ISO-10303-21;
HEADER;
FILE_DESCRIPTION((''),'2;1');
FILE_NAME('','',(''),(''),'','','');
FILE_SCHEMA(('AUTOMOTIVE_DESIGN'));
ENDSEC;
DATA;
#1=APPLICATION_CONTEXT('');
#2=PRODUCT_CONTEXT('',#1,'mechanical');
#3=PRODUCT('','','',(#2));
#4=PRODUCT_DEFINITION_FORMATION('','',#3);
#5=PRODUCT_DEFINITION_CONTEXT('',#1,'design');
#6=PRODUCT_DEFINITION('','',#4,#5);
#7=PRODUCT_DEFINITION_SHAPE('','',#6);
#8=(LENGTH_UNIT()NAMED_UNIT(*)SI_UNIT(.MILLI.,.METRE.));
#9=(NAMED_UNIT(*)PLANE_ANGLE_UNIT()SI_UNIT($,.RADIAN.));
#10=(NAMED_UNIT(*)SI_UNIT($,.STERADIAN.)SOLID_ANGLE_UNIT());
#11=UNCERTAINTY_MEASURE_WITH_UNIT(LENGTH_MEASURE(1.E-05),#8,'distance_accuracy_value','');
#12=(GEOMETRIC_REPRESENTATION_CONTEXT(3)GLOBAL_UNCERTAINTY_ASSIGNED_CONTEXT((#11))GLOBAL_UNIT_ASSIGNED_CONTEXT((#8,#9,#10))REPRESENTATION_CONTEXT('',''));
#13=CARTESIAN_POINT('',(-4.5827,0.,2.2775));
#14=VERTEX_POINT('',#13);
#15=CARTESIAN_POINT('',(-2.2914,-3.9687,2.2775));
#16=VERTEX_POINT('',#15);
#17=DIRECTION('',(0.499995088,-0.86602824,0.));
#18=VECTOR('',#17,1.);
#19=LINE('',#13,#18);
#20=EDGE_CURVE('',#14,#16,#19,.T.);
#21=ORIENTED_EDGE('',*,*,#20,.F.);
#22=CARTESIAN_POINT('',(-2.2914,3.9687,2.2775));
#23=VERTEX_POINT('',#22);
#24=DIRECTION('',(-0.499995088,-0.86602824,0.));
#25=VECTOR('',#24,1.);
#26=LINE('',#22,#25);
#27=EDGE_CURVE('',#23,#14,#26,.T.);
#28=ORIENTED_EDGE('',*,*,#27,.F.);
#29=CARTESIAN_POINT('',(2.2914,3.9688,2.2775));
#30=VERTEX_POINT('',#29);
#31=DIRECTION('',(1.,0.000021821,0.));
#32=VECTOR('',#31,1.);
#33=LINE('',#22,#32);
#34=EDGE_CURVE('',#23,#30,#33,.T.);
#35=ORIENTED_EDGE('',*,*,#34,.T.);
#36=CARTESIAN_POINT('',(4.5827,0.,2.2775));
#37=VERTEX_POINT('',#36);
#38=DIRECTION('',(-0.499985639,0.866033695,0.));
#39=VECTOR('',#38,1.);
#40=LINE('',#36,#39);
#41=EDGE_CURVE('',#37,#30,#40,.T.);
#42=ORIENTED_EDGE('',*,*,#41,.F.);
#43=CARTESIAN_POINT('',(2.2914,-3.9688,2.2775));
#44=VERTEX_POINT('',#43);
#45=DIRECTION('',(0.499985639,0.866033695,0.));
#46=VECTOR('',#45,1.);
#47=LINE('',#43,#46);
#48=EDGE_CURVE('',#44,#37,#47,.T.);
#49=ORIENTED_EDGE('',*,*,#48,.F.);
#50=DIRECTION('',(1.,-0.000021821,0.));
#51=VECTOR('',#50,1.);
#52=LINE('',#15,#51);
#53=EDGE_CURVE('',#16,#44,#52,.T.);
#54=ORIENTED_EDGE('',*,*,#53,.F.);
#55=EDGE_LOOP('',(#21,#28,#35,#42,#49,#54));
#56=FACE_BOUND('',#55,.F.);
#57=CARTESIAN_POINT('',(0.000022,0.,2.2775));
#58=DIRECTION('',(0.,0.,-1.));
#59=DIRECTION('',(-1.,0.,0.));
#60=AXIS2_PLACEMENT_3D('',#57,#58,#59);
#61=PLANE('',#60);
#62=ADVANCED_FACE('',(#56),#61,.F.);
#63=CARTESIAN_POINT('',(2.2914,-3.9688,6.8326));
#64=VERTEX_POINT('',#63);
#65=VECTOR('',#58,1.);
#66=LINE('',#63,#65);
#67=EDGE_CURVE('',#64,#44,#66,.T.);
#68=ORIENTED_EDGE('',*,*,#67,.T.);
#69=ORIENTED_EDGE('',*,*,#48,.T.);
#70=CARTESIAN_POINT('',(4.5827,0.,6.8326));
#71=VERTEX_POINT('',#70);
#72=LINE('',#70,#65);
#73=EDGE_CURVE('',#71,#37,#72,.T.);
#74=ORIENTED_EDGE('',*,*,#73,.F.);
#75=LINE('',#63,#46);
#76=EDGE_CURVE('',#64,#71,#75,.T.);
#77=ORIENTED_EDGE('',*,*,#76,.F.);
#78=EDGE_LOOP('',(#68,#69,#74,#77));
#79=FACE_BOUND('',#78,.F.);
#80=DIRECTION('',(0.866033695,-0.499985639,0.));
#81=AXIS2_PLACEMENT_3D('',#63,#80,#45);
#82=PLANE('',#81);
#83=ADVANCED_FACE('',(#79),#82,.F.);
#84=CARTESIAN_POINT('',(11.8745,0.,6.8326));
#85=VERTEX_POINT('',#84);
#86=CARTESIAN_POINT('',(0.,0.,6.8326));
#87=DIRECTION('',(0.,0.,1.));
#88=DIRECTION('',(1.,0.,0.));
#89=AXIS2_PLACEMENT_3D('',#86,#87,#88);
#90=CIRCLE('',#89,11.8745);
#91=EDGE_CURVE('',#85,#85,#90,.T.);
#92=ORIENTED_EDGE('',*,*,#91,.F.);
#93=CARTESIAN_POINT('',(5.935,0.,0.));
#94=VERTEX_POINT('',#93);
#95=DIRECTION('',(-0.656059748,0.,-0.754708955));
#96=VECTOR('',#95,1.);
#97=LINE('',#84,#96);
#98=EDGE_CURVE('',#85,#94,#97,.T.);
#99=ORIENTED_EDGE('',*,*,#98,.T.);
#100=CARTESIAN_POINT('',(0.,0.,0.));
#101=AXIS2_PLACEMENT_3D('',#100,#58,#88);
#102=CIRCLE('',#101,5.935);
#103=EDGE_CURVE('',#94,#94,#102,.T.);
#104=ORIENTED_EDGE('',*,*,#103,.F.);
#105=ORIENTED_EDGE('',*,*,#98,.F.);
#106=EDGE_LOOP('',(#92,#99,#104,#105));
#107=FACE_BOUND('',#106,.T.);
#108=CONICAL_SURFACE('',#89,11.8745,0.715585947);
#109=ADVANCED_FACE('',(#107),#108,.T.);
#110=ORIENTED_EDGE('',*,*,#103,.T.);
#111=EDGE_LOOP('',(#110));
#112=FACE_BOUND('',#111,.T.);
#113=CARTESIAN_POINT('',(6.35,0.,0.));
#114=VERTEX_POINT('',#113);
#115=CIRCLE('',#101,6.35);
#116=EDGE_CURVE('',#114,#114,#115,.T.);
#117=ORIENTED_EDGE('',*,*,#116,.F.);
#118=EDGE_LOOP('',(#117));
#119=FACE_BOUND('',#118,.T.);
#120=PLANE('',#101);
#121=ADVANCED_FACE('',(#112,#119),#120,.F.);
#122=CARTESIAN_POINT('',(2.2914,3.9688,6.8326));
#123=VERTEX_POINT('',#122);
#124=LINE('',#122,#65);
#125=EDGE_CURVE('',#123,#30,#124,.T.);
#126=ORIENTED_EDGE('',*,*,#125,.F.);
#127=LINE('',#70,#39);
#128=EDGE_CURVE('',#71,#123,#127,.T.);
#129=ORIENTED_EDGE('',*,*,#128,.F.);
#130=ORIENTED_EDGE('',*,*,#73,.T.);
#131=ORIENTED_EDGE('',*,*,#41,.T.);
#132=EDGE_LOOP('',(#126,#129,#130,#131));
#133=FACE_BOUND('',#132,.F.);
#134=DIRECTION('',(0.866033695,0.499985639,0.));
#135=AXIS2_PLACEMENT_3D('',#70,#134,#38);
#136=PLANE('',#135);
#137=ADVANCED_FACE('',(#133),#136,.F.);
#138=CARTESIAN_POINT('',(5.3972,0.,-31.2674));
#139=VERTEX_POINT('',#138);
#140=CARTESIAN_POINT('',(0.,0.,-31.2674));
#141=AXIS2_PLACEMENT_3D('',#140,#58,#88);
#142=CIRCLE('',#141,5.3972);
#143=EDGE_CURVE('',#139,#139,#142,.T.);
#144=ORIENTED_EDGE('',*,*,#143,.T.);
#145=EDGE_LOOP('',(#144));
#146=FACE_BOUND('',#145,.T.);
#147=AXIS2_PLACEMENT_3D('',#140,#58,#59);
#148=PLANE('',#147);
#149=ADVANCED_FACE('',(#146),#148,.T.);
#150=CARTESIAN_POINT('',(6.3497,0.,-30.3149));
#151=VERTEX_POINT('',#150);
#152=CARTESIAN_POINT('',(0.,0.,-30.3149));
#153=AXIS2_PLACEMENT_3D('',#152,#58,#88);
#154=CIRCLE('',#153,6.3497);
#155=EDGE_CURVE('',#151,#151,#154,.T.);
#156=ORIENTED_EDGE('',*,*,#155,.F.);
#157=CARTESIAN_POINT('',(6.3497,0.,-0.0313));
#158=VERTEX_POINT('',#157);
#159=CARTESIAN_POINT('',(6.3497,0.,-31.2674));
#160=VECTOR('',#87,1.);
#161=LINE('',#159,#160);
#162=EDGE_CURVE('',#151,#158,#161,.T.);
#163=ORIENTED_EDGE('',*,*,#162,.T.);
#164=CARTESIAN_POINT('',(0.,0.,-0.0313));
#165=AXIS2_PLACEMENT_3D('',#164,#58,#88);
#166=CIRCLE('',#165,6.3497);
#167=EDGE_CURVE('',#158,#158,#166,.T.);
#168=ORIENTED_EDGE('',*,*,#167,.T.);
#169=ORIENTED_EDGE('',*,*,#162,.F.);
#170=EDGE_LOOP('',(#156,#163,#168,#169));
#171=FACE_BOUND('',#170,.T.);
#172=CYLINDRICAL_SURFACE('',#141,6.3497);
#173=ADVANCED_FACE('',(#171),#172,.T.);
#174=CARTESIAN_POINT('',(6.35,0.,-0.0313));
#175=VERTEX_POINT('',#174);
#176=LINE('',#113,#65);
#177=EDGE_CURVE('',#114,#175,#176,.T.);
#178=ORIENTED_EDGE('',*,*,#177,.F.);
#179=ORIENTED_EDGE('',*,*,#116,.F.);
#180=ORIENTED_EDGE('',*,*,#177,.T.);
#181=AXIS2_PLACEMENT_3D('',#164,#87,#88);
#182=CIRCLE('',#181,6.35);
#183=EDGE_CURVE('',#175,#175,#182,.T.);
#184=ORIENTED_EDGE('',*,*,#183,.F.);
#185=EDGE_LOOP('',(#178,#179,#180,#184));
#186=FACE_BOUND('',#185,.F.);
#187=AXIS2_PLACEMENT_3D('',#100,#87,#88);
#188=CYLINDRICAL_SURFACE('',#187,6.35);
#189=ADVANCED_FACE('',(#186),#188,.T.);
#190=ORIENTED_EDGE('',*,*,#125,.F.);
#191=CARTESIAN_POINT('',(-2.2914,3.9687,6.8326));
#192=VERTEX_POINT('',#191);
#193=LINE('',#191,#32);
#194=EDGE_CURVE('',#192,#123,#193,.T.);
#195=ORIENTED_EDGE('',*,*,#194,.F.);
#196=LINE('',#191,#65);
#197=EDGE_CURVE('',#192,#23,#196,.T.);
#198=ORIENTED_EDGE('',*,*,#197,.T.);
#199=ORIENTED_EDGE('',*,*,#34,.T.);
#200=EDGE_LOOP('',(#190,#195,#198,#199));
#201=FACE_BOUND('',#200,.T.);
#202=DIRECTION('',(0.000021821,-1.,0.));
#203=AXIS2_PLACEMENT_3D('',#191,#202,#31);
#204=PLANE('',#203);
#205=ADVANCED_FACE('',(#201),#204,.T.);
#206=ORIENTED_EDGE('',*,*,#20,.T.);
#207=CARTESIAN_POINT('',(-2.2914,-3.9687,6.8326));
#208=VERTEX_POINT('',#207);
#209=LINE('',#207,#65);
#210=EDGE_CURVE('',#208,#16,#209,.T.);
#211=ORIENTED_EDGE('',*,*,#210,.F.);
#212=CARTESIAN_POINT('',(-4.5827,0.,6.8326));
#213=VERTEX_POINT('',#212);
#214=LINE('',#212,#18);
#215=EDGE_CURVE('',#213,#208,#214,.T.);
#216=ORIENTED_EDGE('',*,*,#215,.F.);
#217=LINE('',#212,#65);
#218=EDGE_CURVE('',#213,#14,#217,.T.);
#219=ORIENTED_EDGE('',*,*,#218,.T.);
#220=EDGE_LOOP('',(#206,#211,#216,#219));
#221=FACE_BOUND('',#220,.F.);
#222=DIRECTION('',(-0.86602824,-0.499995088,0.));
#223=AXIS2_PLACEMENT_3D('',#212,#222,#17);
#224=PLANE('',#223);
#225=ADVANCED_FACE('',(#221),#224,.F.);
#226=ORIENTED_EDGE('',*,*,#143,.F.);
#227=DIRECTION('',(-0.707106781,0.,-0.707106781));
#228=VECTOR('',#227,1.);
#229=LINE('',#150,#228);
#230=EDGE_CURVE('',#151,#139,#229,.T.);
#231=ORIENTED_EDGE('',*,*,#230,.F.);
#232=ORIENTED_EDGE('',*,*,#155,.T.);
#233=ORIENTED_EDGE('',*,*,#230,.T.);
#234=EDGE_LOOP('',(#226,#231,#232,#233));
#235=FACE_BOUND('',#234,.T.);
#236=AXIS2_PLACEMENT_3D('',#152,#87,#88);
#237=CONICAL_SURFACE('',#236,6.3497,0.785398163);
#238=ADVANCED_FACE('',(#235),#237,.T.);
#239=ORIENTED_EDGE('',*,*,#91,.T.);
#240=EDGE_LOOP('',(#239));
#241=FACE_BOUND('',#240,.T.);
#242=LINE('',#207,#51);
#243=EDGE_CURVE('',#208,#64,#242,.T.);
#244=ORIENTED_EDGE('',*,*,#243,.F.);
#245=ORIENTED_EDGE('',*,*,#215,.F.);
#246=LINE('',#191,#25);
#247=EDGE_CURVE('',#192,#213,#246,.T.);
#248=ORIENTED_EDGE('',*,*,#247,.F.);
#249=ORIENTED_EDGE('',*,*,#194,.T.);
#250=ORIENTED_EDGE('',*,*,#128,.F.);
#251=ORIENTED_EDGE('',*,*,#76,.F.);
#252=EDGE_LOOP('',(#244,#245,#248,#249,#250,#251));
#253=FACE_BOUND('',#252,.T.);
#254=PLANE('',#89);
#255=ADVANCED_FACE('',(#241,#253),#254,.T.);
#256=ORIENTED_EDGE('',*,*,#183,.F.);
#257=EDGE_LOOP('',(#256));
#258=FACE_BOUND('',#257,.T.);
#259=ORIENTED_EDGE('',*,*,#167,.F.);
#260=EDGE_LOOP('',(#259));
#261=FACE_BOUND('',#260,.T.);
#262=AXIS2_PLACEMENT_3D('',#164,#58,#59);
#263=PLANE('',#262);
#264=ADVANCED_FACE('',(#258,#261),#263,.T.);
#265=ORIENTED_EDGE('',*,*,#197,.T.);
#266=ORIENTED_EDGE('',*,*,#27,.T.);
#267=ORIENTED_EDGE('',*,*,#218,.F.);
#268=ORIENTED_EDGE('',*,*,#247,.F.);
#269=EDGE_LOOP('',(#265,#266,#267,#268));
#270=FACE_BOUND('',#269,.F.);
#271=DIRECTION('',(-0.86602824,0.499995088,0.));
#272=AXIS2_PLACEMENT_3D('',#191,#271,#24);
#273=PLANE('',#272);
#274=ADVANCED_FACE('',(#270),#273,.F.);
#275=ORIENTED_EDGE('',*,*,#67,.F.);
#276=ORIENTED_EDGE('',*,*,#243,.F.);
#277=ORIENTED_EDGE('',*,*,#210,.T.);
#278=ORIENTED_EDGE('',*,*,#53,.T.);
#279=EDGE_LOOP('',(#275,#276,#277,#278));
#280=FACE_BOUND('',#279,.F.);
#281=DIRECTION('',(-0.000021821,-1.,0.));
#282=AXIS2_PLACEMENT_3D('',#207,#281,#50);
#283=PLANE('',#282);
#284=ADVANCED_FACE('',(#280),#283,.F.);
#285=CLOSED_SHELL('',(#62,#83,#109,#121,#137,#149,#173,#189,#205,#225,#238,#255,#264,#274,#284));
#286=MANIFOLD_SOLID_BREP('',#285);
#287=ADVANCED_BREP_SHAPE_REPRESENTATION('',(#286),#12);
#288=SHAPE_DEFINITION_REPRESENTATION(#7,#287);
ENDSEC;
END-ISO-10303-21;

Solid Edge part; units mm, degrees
sketch "Sketch1" plane through (0, 0, 0) normal (0, 0, 1) x (1, 0, 0)
  circle A0 centre (0, 0) radius 11.8745
  dimension "D1" = 23.749
extrude "Protrusion1" add sketch "Sketch1" along normal blind 6.8326
sketch "Sketch2" plane through (0, 0, 0) normal (0, 0, -1) x (1, 0, 0)
  circle A0 centre (0, 0) radius 6.35
extrude "Protrusion2" add sketch "Sketch2" along normal blind 31.2674
sketch "Sketch3" plane through (0, 0, -31.2674) normal (0, 0, -1) x (1, 0, 0)
  circle A0 centre (0, 0) radius 6.3497
extrude "Cutout1" cut sketch "Sketch3" against normal blind 31.2361 flip side to cut
chamfer "Chamfer_1" distance 0.9525 angle 45 1 edges at (-6.3497, 0, -31.2674)
sketch "Sketch4" plane through (0, 0, 6.8326) normal (0, 0, 1) x (1, 0, 0)
  line L0 (-2.2914, 3.9687) -> (2.2914, 3.9688)
  line L1 (4.5827, 0) -> (2.2914, 3.9688)
  line L2 (2.2914, -3.9688) -> (4.5827, 0)
  line L3 (-2.2914, -3.9687) -> (2.2914, -3.9688)
  line L4 (-4.5827, 0) -> (-2.2914, -3.9688)
  line L5 (-2.2914, 3.9688) -> (-4.5827, 0)
  dimension "D1" = 7.9375
extrude "Cutout2" cut sketch "Sketch4" against normal blind 4.5551
sketch "Sketch5" plane through (0, 0, 0) normal (0, -1, 0) x (1, 0, 0)
  line L0 (11.8745, 6.8326) -> (5.935, 0)
  line L1 (5.935, 0) -> (11.8745, 0)
  line L2 (11.8745, 0) -> (11.8745, 6.8326)
revolve "RevolvedCutout1" cut sketch "Sketch5" angle 360 about axis through (0, 0, 14.0017) along (0, 0, -1)
properties part number "24103620"
